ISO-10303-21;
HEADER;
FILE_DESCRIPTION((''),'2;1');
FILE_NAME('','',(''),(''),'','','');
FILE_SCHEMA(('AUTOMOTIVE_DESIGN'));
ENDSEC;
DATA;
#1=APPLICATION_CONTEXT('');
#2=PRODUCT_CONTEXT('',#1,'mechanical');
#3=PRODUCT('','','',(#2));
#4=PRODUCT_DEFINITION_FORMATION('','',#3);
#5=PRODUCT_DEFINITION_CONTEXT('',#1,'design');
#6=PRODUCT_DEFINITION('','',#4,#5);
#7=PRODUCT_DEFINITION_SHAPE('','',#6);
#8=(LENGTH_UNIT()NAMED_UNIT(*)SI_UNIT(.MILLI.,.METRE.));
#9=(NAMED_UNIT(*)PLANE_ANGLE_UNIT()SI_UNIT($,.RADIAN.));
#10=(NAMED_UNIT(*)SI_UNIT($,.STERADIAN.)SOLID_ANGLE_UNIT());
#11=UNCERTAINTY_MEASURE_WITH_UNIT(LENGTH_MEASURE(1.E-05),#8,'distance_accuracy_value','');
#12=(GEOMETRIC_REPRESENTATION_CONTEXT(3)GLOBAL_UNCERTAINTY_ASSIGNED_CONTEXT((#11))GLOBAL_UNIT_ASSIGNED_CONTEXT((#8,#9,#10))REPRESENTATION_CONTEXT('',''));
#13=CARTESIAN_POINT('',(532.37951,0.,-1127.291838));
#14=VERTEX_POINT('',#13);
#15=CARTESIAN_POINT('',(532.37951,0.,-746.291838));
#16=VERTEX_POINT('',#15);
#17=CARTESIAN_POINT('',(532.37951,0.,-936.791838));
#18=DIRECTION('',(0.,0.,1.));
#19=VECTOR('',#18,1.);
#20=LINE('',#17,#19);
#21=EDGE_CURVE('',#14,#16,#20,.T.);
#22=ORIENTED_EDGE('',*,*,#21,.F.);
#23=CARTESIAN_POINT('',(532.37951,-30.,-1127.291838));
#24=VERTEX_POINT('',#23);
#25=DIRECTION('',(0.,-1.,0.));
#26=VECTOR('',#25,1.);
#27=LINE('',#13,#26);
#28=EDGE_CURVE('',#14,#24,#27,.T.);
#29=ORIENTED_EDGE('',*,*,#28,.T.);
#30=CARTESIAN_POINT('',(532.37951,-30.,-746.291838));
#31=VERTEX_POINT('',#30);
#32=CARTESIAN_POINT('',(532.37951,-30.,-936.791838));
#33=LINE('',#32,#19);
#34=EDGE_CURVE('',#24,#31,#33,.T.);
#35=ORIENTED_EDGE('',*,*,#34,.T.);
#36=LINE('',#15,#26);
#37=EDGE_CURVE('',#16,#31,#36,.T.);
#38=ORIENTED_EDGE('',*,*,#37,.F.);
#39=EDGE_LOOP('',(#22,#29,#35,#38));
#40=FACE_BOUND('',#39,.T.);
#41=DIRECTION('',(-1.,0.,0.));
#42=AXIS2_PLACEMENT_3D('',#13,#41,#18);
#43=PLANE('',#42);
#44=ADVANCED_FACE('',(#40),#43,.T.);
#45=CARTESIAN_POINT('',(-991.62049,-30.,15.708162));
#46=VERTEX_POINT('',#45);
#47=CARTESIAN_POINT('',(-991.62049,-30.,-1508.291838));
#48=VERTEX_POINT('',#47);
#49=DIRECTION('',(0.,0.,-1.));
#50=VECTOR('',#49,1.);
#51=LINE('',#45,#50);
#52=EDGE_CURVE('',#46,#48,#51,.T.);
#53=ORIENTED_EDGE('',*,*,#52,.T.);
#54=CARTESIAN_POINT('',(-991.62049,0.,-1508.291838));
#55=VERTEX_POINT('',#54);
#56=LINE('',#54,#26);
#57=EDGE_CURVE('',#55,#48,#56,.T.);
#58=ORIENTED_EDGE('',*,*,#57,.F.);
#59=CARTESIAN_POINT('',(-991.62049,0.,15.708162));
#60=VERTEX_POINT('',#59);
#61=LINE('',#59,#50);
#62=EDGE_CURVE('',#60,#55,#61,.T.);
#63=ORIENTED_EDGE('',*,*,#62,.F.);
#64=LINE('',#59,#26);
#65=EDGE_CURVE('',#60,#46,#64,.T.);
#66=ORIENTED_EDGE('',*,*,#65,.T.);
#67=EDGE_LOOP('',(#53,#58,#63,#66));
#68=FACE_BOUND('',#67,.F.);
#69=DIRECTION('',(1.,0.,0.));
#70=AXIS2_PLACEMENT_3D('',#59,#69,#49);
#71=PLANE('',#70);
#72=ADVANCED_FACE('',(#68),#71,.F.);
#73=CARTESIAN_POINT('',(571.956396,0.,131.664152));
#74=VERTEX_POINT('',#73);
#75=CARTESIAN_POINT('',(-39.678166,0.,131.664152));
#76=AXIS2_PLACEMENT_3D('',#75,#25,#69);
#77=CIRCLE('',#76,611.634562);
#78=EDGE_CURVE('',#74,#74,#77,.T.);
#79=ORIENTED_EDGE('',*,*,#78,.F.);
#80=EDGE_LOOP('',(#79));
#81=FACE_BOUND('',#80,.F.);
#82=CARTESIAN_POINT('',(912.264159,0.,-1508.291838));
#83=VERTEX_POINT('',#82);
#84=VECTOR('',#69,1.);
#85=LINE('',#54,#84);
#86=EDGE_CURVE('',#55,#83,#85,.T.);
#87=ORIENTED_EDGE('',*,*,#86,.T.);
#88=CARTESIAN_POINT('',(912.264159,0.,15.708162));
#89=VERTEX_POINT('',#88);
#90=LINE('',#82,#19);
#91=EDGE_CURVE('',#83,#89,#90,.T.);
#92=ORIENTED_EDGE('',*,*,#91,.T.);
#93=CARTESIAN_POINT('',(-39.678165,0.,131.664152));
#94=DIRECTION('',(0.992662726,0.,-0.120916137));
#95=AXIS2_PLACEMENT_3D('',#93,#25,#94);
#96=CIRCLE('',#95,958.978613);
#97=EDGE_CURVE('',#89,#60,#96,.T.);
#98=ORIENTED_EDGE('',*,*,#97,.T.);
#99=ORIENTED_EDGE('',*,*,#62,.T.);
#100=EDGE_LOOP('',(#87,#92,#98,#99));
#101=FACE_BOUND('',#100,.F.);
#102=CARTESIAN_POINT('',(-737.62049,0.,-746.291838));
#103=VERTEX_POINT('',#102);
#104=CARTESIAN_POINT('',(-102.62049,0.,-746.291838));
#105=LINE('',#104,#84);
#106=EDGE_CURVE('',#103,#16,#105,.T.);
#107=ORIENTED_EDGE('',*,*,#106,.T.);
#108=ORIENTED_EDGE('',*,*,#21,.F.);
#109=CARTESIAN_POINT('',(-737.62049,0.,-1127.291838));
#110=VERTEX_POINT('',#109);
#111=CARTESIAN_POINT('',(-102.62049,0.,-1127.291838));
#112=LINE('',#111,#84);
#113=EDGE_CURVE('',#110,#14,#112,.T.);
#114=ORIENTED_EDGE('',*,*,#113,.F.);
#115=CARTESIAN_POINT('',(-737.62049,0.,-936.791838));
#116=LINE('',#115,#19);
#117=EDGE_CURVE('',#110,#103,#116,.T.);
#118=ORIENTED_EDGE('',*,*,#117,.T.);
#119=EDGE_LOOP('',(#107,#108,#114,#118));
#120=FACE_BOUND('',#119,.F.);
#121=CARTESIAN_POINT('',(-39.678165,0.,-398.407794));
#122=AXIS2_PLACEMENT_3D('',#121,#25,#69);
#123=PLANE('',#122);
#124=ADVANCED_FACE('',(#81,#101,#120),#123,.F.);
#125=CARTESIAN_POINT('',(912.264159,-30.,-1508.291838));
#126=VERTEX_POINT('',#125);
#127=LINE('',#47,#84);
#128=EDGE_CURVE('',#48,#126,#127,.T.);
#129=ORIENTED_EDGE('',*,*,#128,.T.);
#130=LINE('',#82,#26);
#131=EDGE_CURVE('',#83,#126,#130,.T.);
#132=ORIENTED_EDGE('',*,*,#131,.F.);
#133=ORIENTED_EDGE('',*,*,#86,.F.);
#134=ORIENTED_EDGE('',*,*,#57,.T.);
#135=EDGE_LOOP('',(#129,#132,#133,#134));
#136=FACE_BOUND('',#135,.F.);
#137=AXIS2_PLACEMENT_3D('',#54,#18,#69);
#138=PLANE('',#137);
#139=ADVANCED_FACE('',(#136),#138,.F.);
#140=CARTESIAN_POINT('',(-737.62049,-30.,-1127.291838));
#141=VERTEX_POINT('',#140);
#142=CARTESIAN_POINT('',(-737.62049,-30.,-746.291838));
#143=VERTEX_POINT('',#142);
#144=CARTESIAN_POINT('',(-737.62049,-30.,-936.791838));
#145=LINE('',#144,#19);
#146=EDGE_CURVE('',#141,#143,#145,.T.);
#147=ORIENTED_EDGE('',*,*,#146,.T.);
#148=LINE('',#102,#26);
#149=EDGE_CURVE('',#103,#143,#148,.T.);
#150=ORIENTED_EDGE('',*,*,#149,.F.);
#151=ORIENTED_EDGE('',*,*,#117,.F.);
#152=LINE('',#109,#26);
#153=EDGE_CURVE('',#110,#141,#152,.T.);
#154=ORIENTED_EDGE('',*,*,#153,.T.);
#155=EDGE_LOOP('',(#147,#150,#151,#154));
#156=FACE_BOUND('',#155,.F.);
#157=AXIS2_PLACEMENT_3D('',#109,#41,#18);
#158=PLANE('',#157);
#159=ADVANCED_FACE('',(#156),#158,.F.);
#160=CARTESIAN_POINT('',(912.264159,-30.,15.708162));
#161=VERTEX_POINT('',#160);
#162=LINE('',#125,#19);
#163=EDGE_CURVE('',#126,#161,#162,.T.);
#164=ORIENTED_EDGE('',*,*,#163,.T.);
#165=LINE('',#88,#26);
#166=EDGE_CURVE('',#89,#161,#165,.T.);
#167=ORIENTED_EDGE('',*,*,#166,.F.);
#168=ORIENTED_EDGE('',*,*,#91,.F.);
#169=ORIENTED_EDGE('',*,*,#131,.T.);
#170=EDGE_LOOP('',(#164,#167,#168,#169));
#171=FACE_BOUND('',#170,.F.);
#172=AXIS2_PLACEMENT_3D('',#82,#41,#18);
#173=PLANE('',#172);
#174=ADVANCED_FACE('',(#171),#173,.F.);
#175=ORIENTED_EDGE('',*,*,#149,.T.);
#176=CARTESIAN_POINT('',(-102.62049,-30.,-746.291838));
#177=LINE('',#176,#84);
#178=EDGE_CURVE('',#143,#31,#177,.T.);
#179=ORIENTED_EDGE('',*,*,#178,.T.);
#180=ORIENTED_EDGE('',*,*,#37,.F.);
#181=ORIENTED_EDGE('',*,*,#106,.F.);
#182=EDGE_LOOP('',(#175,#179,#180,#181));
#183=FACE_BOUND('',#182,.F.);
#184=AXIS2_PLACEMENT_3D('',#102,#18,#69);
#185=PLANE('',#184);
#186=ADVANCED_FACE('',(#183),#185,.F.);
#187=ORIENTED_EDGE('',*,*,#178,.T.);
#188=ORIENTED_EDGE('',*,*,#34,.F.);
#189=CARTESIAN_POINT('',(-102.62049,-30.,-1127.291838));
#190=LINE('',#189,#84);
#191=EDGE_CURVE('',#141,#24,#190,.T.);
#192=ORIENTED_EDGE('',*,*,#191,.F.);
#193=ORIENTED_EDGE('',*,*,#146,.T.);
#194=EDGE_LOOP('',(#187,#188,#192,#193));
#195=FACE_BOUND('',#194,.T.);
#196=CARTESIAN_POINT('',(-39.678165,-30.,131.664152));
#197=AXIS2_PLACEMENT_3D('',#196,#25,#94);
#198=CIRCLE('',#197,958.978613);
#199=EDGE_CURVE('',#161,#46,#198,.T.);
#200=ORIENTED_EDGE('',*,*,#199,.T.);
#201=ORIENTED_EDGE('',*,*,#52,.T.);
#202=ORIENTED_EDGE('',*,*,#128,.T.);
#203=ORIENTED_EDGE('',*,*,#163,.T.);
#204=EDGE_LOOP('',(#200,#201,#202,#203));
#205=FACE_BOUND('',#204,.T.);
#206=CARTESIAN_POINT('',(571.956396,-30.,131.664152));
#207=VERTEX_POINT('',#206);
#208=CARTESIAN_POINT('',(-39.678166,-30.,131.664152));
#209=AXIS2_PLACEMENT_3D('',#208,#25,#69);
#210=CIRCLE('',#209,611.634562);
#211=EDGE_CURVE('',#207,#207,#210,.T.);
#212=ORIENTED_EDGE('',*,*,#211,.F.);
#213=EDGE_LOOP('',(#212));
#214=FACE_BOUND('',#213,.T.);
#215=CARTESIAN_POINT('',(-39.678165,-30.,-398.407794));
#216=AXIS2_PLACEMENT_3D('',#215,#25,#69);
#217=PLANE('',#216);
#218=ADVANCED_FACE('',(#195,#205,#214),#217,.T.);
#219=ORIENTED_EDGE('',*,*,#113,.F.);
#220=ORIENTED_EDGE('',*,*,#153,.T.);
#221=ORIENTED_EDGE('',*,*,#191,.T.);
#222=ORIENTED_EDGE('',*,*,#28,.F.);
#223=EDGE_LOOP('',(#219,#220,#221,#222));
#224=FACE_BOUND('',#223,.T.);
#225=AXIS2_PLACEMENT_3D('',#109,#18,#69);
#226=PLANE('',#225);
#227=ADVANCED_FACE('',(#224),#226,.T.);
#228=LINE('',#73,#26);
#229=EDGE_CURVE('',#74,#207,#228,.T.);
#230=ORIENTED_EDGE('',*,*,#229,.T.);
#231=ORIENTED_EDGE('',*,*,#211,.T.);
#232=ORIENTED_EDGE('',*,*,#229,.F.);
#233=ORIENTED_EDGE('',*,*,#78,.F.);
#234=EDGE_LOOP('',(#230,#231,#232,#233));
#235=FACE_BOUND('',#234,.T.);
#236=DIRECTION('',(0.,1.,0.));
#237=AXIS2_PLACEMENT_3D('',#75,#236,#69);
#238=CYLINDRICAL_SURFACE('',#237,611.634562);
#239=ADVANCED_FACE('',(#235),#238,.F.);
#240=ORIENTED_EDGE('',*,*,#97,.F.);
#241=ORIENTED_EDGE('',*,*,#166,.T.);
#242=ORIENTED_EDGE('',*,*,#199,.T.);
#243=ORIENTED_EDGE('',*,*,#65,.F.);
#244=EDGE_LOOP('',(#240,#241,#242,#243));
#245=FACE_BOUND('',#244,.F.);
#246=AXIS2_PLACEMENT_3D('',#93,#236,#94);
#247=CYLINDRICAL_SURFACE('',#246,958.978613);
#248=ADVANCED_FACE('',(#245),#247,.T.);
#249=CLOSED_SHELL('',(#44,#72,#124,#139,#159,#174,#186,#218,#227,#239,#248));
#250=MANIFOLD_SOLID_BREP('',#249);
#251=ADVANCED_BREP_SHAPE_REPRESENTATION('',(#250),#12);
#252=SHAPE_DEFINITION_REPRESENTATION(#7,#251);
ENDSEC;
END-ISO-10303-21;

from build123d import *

# Parameters (mm, degrees)
F0_W     = 1270
F0_H     = 381
F0_R     = 611.634562
F1_DEPTH = 30


with BuildPart() as f1:
    # F0 (on Front) → F1 (new body)
    with BuildSketch(Plane.XZ):
        with BuildLine():
            ThreePointArc((912.264159, 15.708162), (-39.678166, 1090.642765), (-991.62049, 15.708162))
            Line((-991.62049, 15.708162), (-991.62049, -1508.291838))
            Line((-991.62049, -1508.291838), (912.264159, -1508.291838))
            Line((912.264159, -1508.291838), (912.264159, 15.708162))
        make_face()
        with Locations((-102.62049, -936.791838)):
            Rectangle(F0_W, F0_H, mode=Mode.SUBTRACT)
        with Locations((-39.678166, 131.664152)):
            Circle(F0_R, mode=Mode.SUBTRACT)
    extrude(amount=F1_DEPTH)


solid = f1.part
